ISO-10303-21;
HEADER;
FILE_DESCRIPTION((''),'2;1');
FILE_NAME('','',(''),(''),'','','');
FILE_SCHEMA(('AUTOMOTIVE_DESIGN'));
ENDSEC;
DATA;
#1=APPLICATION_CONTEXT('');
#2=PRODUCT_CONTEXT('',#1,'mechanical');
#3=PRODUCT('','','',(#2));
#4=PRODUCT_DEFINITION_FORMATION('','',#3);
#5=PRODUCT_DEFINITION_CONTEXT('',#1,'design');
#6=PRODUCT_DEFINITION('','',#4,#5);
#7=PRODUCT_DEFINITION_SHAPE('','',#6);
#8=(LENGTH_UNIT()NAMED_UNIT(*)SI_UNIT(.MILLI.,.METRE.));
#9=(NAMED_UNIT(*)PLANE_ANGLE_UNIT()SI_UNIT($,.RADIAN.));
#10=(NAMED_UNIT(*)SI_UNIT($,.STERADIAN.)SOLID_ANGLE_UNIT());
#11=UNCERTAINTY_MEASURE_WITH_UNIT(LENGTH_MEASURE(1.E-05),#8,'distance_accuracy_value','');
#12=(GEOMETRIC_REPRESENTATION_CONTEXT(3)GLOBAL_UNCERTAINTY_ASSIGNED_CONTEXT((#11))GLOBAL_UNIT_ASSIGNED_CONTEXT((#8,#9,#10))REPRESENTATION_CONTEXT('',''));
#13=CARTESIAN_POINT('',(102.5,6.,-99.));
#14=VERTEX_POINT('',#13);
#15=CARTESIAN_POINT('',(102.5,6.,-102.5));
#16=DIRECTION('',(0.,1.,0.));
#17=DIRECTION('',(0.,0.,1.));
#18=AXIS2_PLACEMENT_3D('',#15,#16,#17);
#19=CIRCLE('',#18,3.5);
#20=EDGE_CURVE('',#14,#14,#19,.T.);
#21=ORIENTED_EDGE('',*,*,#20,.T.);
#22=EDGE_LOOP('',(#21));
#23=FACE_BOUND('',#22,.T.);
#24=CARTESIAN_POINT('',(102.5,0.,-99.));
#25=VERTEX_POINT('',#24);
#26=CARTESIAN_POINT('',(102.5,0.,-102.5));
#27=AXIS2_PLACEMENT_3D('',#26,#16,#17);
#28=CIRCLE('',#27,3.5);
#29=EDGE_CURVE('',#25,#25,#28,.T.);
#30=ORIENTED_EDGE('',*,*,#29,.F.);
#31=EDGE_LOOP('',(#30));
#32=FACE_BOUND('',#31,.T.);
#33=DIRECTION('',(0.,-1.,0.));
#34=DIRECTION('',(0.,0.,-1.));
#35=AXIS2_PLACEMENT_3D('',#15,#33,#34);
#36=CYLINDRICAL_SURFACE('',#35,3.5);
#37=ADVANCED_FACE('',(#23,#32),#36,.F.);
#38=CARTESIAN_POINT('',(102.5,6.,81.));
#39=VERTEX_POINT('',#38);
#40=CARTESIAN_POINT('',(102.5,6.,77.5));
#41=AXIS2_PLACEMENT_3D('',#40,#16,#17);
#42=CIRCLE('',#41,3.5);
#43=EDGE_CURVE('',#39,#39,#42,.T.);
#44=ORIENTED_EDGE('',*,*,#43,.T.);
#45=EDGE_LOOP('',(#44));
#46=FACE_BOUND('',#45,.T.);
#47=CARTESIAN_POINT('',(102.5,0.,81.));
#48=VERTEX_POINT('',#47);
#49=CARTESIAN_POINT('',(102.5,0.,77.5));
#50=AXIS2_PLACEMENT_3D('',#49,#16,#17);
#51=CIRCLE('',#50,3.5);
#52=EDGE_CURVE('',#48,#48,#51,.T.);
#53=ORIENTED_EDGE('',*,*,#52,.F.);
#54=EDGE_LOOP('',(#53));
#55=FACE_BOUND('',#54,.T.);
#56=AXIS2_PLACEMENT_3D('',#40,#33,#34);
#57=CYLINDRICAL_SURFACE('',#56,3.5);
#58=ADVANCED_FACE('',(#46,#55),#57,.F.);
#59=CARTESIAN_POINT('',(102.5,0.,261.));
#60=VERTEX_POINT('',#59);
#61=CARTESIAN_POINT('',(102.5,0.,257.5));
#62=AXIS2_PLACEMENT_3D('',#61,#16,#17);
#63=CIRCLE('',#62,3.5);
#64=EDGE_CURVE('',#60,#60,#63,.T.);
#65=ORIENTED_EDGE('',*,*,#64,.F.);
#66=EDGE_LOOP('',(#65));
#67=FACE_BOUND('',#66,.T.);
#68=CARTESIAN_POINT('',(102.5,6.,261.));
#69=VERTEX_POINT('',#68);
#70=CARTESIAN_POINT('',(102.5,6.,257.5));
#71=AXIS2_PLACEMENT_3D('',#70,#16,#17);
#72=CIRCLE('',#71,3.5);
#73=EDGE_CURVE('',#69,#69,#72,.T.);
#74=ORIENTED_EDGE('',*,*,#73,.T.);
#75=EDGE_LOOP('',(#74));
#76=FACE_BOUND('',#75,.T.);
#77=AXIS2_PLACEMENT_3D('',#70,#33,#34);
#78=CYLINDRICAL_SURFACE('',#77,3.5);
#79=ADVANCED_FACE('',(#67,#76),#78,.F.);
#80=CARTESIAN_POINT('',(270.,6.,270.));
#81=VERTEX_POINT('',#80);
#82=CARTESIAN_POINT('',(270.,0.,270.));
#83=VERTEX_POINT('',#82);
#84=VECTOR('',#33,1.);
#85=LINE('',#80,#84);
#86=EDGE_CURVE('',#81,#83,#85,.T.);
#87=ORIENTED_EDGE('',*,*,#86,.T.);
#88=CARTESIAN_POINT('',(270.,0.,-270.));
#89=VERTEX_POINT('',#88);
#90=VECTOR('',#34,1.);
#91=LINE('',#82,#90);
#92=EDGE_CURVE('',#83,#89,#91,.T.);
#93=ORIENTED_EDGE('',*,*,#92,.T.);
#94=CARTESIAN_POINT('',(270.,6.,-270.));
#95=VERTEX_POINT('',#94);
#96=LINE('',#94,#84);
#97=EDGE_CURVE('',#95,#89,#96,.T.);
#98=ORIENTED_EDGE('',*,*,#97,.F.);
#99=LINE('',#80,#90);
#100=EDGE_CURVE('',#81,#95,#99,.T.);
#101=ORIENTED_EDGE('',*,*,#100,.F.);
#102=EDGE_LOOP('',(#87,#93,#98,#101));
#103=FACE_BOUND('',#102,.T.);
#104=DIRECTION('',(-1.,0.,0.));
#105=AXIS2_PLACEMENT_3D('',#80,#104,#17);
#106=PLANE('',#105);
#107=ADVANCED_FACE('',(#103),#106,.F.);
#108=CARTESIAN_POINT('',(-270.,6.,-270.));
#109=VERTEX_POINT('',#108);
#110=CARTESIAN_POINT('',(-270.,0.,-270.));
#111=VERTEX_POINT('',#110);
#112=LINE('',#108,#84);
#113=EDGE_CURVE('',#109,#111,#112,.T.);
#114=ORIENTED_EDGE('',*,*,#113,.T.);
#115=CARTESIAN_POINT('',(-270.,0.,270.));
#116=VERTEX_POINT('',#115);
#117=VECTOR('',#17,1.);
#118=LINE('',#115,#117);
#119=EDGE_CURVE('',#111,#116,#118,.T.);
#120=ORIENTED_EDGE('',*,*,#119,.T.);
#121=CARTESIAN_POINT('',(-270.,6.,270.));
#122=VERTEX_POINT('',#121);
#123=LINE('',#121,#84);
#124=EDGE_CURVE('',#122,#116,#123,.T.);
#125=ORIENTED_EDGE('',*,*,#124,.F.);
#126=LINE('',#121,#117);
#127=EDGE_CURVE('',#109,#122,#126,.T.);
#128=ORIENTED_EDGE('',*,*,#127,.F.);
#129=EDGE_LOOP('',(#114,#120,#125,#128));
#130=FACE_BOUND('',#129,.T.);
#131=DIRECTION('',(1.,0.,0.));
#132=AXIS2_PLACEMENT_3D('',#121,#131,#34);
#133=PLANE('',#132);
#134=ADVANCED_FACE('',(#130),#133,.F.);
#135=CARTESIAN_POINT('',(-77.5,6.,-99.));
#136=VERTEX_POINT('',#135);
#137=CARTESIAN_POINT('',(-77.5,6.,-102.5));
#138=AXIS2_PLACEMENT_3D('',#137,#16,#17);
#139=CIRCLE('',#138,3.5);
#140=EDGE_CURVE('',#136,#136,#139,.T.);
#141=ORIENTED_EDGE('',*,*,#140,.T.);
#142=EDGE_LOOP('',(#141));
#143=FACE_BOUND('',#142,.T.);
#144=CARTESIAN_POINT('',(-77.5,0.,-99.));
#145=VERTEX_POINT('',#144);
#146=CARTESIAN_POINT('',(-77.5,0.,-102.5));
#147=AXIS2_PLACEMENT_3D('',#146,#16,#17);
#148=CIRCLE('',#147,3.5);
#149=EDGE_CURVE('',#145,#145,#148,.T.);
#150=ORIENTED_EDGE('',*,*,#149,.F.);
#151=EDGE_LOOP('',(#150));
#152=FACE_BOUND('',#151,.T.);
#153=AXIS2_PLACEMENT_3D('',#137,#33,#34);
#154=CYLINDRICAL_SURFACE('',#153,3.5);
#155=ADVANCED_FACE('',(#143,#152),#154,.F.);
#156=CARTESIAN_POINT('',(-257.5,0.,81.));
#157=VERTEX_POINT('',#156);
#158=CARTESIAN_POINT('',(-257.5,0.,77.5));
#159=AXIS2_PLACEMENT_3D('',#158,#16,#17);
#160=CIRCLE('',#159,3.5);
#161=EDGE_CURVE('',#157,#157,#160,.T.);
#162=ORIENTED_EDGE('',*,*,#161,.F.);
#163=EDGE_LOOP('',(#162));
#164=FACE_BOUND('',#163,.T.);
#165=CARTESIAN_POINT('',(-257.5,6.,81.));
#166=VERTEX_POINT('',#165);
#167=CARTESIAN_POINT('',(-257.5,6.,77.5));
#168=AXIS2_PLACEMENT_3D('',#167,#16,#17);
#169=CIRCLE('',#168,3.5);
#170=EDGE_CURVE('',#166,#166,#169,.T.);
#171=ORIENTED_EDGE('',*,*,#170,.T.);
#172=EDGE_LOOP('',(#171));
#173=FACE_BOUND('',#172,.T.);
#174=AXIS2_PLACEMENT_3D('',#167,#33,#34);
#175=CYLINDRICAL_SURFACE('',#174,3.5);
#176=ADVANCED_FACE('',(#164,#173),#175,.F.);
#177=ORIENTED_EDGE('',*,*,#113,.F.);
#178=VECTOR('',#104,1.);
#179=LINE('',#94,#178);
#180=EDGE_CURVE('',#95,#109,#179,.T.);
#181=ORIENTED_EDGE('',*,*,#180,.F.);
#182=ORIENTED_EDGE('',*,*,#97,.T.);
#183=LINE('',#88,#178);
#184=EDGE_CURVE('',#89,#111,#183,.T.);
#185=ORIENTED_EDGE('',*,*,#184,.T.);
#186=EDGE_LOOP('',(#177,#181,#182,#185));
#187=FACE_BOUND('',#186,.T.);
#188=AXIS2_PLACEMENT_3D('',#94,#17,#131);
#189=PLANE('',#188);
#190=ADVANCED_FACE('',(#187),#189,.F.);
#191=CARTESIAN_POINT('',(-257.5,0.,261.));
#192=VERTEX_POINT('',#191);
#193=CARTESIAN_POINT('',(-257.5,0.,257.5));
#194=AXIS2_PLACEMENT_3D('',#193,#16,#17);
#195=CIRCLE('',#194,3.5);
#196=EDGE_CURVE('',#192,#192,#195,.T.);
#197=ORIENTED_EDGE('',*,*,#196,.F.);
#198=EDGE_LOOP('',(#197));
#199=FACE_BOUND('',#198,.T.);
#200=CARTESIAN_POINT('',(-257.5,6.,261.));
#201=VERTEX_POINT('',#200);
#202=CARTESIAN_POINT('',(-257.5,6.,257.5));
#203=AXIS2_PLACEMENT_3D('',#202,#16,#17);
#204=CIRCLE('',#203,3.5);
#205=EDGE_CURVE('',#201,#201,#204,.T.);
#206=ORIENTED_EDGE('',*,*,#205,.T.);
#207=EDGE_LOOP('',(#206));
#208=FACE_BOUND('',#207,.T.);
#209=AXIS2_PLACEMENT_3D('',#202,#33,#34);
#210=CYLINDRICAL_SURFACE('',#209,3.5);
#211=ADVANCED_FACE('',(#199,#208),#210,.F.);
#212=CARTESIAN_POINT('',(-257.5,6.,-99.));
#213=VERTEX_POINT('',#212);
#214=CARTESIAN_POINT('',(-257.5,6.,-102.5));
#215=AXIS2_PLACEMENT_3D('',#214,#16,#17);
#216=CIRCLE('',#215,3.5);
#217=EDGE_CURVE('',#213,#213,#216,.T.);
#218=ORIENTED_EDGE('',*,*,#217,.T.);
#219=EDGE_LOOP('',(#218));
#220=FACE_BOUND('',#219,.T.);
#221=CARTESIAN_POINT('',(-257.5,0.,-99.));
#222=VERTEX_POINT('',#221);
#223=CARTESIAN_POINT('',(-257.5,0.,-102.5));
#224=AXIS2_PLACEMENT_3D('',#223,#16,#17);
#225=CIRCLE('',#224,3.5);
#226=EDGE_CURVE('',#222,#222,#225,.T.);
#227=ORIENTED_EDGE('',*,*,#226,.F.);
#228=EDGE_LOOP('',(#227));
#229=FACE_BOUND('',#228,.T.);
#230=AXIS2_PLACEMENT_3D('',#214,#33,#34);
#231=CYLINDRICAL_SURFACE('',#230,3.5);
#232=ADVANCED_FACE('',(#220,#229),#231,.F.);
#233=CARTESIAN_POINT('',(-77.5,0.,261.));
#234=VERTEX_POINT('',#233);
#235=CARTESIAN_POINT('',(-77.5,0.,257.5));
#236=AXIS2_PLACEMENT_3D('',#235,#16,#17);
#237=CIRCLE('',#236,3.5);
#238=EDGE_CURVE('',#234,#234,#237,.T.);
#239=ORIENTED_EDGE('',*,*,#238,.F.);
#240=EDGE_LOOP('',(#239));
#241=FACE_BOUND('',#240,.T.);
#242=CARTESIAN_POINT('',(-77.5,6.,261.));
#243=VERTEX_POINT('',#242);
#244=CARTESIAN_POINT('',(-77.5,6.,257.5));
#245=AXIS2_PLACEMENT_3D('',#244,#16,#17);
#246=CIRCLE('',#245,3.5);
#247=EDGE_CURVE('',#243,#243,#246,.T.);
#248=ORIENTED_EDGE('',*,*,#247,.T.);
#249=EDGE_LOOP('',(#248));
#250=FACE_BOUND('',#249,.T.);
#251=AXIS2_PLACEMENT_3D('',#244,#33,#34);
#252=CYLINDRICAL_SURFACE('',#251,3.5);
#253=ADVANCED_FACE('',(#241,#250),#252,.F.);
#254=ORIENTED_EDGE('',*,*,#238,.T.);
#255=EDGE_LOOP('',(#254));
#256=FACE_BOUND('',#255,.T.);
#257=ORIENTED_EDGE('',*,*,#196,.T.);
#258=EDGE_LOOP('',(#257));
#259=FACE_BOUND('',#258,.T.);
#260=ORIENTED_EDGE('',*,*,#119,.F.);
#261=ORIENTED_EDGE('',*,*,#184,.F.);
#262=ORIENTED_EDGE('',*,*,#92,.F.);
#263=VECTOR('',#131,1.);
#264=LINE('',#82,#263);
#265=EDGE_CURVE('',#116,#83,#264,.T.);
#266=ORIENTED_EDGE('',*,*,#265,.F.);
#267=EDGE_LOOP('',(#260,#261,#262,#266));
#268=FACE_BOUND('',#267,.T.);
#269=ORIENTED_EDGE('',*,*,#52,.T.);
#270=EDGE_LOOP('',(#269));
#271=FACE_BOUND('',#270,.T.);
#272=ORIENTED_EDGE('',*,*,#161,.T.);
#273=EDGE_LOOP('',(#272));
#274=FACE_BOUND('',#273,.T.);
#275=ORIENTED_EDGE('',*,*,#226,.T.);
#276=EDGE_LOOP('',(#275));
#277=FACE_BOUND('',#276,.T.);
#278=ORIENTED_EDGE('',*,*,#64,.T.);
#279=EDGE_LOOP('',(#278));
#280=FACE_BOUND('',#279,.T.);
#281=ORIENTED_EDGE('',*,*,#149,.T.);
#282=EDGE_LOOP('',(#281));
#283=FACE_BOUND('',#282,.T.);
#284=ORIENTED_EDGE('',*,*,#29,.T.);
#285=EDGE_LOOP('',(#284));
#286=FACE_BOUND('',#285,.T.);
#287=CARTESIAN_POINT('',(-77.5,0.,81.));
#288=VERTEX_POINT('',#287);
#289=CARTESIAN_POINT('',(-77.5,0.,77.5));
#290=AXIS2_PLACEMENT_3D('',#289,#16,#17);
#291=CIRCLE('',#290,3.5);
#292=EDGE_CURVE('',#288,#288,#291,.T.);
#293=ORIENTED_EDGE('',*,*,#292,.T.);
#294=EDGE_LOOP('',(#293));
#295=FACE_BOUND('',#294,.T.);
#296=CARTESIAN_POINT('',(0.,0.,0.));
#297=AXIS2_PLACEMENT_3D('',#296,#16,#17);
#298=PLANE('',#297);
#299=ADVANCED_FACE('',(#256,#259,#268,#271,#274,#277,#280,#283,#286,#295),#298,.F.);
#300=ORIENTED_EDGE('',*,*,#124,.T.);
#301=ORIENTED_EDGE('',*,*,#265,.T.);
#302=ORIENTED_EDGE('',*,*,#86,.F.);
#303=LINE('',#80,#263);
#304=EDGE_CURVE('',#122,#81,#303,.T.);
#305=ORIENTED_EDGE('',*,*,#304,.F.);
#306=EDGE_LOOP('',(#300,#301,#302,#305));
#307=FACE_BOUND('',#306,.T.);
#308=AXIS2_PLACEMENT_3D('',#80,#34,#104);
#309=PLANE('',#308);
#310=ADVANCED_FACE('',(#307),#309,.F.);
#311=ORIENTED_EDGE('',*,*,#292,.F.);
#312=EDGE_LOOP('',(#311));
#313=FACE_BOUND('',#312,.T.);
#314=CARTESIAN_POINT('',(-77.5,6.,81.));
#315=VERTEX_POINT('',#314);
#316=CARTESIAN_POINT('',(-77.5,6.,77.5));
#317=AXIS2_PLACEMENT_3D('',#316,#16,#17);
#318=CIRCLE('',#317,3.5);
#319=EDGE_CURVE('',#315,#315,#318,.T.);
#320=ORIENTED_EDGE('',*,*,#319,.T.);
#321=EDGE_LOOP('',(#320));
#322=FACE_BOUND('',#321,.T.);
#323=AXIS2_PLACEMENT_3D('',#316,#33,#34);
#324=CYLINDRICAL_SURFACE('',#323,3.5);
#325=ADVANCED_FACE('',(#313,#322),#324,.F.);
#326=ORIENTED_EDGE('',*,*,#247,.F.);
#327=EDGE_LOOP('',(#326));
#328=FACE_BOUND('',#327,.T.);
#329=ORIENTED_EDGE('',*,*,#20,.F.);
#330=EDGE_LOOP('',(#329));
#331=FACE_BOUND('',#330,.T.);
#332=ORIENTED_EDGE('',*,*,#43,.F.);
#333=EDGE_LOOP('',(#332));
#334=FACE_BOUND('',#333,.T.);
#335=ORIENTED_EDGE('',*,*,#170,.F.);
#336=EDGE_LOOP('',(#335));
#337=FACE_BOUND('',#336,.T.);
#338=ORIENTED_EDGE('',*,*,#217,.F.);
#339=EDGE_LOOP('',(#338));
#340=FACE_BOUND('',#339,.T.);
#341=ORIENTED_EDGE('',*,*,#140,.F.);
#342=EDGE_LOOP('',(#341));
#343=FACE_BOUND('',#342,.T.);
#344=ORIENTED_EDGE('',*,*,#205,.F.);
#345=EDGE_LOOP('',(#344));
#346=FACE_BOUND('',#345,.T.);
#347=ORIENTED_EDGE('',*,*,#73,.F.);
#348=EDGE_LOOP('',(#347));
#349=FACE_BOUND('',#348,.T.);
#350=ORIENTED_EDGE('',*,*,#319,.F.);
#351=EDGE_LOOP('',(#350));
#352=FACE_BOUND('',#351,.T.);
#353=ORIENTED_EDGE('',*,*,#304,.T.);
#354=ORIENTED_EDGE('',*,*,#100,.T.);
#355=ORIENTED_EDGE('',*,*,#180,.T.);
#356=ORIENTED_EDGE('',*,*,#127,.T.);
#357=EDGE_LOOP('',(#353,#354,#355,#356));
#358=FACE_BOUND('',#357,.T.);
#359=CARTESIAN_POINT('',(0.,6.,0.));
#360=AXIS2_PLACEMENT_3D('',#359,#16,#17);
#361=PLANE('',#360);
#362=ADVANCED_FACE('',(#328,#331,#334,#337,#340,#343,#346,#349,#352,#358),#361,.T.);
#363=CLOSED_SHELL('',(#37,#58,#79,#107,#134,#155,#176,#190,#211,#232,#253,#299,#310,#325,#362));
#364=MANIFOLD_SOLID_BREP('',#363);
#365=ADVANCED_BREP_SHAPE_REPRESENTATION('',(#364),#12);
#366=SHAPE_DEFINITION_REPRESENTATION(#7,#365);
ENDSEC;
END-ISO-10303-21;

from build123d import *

# Parameters (mm, degrees)
SKETCH1_W           = 540
SKETCH1_H           = 540
SKETCH1_R           = 3.5
BOSS_EXTRUDE1_DEPTH = 6


with BuildPart() as part:
    # Sketch1 → Boss-Extrude1 (new body)
    with BuildSketch(Plane(origin=(0, 0, 0), x_dir=(1, 0, 0), z_dir=(0, 1, 0))):
        Rectangle(SKETCH1_W, SKETCH1_H)
        with Locations(Location((-257.5, -257.5, 0), (0, 0, 270))):
            Circle(SKETCH1_R, mode=Mode.SUBTRACT)
        with Locations(Location((-77.5, -257.5, 0), (0, 0, 270))):
            Circle(SKETCH1_R, mode=Mode.SUBTRACT)
        with Locations(Location((102.5, -257.5, 0), (0, 0, 270))):
            Circle(SKETCH1_R, mode=Mode.SUBTRACT)
        with Locations(Location((-77.5, -77.5, 0), (0, 0, 270))):
            Circle(SKETCH1_R, mode=Mode.SUBTRACT)
        with Locations(Location((102.5, -77.5, 0), (0, 0, 270))):
            Circle(SKETCH1_R, mode=Mode.SUBTRACT)
        with Locations(Location((-77.5, 102.5, 0), (0, 0, 270))):
            Circle(SKETCH1_R, mode=Mode.SUBTRACT)
        with Locations(Location((102.5, 102.5, 0), (0, 0, 270))):
            Circle(SKETCH1_R, mode=Mode.SUBTRACT)
        with Locations(Location((-257.5, -77.5, 0), (0, 0, 270))):
            Circle(SKETCH1_R, mode=Mode.SUBTRACT)
        with Locations(Location((-257.5, 102.5, 0), (0, 0, 270))):
            Circle(SKETCH1_R, mode=Mode.SUBTRACT)
    extrude(amount=BOSS_EXTRUDE1_DEPTH)


solid = part.part
